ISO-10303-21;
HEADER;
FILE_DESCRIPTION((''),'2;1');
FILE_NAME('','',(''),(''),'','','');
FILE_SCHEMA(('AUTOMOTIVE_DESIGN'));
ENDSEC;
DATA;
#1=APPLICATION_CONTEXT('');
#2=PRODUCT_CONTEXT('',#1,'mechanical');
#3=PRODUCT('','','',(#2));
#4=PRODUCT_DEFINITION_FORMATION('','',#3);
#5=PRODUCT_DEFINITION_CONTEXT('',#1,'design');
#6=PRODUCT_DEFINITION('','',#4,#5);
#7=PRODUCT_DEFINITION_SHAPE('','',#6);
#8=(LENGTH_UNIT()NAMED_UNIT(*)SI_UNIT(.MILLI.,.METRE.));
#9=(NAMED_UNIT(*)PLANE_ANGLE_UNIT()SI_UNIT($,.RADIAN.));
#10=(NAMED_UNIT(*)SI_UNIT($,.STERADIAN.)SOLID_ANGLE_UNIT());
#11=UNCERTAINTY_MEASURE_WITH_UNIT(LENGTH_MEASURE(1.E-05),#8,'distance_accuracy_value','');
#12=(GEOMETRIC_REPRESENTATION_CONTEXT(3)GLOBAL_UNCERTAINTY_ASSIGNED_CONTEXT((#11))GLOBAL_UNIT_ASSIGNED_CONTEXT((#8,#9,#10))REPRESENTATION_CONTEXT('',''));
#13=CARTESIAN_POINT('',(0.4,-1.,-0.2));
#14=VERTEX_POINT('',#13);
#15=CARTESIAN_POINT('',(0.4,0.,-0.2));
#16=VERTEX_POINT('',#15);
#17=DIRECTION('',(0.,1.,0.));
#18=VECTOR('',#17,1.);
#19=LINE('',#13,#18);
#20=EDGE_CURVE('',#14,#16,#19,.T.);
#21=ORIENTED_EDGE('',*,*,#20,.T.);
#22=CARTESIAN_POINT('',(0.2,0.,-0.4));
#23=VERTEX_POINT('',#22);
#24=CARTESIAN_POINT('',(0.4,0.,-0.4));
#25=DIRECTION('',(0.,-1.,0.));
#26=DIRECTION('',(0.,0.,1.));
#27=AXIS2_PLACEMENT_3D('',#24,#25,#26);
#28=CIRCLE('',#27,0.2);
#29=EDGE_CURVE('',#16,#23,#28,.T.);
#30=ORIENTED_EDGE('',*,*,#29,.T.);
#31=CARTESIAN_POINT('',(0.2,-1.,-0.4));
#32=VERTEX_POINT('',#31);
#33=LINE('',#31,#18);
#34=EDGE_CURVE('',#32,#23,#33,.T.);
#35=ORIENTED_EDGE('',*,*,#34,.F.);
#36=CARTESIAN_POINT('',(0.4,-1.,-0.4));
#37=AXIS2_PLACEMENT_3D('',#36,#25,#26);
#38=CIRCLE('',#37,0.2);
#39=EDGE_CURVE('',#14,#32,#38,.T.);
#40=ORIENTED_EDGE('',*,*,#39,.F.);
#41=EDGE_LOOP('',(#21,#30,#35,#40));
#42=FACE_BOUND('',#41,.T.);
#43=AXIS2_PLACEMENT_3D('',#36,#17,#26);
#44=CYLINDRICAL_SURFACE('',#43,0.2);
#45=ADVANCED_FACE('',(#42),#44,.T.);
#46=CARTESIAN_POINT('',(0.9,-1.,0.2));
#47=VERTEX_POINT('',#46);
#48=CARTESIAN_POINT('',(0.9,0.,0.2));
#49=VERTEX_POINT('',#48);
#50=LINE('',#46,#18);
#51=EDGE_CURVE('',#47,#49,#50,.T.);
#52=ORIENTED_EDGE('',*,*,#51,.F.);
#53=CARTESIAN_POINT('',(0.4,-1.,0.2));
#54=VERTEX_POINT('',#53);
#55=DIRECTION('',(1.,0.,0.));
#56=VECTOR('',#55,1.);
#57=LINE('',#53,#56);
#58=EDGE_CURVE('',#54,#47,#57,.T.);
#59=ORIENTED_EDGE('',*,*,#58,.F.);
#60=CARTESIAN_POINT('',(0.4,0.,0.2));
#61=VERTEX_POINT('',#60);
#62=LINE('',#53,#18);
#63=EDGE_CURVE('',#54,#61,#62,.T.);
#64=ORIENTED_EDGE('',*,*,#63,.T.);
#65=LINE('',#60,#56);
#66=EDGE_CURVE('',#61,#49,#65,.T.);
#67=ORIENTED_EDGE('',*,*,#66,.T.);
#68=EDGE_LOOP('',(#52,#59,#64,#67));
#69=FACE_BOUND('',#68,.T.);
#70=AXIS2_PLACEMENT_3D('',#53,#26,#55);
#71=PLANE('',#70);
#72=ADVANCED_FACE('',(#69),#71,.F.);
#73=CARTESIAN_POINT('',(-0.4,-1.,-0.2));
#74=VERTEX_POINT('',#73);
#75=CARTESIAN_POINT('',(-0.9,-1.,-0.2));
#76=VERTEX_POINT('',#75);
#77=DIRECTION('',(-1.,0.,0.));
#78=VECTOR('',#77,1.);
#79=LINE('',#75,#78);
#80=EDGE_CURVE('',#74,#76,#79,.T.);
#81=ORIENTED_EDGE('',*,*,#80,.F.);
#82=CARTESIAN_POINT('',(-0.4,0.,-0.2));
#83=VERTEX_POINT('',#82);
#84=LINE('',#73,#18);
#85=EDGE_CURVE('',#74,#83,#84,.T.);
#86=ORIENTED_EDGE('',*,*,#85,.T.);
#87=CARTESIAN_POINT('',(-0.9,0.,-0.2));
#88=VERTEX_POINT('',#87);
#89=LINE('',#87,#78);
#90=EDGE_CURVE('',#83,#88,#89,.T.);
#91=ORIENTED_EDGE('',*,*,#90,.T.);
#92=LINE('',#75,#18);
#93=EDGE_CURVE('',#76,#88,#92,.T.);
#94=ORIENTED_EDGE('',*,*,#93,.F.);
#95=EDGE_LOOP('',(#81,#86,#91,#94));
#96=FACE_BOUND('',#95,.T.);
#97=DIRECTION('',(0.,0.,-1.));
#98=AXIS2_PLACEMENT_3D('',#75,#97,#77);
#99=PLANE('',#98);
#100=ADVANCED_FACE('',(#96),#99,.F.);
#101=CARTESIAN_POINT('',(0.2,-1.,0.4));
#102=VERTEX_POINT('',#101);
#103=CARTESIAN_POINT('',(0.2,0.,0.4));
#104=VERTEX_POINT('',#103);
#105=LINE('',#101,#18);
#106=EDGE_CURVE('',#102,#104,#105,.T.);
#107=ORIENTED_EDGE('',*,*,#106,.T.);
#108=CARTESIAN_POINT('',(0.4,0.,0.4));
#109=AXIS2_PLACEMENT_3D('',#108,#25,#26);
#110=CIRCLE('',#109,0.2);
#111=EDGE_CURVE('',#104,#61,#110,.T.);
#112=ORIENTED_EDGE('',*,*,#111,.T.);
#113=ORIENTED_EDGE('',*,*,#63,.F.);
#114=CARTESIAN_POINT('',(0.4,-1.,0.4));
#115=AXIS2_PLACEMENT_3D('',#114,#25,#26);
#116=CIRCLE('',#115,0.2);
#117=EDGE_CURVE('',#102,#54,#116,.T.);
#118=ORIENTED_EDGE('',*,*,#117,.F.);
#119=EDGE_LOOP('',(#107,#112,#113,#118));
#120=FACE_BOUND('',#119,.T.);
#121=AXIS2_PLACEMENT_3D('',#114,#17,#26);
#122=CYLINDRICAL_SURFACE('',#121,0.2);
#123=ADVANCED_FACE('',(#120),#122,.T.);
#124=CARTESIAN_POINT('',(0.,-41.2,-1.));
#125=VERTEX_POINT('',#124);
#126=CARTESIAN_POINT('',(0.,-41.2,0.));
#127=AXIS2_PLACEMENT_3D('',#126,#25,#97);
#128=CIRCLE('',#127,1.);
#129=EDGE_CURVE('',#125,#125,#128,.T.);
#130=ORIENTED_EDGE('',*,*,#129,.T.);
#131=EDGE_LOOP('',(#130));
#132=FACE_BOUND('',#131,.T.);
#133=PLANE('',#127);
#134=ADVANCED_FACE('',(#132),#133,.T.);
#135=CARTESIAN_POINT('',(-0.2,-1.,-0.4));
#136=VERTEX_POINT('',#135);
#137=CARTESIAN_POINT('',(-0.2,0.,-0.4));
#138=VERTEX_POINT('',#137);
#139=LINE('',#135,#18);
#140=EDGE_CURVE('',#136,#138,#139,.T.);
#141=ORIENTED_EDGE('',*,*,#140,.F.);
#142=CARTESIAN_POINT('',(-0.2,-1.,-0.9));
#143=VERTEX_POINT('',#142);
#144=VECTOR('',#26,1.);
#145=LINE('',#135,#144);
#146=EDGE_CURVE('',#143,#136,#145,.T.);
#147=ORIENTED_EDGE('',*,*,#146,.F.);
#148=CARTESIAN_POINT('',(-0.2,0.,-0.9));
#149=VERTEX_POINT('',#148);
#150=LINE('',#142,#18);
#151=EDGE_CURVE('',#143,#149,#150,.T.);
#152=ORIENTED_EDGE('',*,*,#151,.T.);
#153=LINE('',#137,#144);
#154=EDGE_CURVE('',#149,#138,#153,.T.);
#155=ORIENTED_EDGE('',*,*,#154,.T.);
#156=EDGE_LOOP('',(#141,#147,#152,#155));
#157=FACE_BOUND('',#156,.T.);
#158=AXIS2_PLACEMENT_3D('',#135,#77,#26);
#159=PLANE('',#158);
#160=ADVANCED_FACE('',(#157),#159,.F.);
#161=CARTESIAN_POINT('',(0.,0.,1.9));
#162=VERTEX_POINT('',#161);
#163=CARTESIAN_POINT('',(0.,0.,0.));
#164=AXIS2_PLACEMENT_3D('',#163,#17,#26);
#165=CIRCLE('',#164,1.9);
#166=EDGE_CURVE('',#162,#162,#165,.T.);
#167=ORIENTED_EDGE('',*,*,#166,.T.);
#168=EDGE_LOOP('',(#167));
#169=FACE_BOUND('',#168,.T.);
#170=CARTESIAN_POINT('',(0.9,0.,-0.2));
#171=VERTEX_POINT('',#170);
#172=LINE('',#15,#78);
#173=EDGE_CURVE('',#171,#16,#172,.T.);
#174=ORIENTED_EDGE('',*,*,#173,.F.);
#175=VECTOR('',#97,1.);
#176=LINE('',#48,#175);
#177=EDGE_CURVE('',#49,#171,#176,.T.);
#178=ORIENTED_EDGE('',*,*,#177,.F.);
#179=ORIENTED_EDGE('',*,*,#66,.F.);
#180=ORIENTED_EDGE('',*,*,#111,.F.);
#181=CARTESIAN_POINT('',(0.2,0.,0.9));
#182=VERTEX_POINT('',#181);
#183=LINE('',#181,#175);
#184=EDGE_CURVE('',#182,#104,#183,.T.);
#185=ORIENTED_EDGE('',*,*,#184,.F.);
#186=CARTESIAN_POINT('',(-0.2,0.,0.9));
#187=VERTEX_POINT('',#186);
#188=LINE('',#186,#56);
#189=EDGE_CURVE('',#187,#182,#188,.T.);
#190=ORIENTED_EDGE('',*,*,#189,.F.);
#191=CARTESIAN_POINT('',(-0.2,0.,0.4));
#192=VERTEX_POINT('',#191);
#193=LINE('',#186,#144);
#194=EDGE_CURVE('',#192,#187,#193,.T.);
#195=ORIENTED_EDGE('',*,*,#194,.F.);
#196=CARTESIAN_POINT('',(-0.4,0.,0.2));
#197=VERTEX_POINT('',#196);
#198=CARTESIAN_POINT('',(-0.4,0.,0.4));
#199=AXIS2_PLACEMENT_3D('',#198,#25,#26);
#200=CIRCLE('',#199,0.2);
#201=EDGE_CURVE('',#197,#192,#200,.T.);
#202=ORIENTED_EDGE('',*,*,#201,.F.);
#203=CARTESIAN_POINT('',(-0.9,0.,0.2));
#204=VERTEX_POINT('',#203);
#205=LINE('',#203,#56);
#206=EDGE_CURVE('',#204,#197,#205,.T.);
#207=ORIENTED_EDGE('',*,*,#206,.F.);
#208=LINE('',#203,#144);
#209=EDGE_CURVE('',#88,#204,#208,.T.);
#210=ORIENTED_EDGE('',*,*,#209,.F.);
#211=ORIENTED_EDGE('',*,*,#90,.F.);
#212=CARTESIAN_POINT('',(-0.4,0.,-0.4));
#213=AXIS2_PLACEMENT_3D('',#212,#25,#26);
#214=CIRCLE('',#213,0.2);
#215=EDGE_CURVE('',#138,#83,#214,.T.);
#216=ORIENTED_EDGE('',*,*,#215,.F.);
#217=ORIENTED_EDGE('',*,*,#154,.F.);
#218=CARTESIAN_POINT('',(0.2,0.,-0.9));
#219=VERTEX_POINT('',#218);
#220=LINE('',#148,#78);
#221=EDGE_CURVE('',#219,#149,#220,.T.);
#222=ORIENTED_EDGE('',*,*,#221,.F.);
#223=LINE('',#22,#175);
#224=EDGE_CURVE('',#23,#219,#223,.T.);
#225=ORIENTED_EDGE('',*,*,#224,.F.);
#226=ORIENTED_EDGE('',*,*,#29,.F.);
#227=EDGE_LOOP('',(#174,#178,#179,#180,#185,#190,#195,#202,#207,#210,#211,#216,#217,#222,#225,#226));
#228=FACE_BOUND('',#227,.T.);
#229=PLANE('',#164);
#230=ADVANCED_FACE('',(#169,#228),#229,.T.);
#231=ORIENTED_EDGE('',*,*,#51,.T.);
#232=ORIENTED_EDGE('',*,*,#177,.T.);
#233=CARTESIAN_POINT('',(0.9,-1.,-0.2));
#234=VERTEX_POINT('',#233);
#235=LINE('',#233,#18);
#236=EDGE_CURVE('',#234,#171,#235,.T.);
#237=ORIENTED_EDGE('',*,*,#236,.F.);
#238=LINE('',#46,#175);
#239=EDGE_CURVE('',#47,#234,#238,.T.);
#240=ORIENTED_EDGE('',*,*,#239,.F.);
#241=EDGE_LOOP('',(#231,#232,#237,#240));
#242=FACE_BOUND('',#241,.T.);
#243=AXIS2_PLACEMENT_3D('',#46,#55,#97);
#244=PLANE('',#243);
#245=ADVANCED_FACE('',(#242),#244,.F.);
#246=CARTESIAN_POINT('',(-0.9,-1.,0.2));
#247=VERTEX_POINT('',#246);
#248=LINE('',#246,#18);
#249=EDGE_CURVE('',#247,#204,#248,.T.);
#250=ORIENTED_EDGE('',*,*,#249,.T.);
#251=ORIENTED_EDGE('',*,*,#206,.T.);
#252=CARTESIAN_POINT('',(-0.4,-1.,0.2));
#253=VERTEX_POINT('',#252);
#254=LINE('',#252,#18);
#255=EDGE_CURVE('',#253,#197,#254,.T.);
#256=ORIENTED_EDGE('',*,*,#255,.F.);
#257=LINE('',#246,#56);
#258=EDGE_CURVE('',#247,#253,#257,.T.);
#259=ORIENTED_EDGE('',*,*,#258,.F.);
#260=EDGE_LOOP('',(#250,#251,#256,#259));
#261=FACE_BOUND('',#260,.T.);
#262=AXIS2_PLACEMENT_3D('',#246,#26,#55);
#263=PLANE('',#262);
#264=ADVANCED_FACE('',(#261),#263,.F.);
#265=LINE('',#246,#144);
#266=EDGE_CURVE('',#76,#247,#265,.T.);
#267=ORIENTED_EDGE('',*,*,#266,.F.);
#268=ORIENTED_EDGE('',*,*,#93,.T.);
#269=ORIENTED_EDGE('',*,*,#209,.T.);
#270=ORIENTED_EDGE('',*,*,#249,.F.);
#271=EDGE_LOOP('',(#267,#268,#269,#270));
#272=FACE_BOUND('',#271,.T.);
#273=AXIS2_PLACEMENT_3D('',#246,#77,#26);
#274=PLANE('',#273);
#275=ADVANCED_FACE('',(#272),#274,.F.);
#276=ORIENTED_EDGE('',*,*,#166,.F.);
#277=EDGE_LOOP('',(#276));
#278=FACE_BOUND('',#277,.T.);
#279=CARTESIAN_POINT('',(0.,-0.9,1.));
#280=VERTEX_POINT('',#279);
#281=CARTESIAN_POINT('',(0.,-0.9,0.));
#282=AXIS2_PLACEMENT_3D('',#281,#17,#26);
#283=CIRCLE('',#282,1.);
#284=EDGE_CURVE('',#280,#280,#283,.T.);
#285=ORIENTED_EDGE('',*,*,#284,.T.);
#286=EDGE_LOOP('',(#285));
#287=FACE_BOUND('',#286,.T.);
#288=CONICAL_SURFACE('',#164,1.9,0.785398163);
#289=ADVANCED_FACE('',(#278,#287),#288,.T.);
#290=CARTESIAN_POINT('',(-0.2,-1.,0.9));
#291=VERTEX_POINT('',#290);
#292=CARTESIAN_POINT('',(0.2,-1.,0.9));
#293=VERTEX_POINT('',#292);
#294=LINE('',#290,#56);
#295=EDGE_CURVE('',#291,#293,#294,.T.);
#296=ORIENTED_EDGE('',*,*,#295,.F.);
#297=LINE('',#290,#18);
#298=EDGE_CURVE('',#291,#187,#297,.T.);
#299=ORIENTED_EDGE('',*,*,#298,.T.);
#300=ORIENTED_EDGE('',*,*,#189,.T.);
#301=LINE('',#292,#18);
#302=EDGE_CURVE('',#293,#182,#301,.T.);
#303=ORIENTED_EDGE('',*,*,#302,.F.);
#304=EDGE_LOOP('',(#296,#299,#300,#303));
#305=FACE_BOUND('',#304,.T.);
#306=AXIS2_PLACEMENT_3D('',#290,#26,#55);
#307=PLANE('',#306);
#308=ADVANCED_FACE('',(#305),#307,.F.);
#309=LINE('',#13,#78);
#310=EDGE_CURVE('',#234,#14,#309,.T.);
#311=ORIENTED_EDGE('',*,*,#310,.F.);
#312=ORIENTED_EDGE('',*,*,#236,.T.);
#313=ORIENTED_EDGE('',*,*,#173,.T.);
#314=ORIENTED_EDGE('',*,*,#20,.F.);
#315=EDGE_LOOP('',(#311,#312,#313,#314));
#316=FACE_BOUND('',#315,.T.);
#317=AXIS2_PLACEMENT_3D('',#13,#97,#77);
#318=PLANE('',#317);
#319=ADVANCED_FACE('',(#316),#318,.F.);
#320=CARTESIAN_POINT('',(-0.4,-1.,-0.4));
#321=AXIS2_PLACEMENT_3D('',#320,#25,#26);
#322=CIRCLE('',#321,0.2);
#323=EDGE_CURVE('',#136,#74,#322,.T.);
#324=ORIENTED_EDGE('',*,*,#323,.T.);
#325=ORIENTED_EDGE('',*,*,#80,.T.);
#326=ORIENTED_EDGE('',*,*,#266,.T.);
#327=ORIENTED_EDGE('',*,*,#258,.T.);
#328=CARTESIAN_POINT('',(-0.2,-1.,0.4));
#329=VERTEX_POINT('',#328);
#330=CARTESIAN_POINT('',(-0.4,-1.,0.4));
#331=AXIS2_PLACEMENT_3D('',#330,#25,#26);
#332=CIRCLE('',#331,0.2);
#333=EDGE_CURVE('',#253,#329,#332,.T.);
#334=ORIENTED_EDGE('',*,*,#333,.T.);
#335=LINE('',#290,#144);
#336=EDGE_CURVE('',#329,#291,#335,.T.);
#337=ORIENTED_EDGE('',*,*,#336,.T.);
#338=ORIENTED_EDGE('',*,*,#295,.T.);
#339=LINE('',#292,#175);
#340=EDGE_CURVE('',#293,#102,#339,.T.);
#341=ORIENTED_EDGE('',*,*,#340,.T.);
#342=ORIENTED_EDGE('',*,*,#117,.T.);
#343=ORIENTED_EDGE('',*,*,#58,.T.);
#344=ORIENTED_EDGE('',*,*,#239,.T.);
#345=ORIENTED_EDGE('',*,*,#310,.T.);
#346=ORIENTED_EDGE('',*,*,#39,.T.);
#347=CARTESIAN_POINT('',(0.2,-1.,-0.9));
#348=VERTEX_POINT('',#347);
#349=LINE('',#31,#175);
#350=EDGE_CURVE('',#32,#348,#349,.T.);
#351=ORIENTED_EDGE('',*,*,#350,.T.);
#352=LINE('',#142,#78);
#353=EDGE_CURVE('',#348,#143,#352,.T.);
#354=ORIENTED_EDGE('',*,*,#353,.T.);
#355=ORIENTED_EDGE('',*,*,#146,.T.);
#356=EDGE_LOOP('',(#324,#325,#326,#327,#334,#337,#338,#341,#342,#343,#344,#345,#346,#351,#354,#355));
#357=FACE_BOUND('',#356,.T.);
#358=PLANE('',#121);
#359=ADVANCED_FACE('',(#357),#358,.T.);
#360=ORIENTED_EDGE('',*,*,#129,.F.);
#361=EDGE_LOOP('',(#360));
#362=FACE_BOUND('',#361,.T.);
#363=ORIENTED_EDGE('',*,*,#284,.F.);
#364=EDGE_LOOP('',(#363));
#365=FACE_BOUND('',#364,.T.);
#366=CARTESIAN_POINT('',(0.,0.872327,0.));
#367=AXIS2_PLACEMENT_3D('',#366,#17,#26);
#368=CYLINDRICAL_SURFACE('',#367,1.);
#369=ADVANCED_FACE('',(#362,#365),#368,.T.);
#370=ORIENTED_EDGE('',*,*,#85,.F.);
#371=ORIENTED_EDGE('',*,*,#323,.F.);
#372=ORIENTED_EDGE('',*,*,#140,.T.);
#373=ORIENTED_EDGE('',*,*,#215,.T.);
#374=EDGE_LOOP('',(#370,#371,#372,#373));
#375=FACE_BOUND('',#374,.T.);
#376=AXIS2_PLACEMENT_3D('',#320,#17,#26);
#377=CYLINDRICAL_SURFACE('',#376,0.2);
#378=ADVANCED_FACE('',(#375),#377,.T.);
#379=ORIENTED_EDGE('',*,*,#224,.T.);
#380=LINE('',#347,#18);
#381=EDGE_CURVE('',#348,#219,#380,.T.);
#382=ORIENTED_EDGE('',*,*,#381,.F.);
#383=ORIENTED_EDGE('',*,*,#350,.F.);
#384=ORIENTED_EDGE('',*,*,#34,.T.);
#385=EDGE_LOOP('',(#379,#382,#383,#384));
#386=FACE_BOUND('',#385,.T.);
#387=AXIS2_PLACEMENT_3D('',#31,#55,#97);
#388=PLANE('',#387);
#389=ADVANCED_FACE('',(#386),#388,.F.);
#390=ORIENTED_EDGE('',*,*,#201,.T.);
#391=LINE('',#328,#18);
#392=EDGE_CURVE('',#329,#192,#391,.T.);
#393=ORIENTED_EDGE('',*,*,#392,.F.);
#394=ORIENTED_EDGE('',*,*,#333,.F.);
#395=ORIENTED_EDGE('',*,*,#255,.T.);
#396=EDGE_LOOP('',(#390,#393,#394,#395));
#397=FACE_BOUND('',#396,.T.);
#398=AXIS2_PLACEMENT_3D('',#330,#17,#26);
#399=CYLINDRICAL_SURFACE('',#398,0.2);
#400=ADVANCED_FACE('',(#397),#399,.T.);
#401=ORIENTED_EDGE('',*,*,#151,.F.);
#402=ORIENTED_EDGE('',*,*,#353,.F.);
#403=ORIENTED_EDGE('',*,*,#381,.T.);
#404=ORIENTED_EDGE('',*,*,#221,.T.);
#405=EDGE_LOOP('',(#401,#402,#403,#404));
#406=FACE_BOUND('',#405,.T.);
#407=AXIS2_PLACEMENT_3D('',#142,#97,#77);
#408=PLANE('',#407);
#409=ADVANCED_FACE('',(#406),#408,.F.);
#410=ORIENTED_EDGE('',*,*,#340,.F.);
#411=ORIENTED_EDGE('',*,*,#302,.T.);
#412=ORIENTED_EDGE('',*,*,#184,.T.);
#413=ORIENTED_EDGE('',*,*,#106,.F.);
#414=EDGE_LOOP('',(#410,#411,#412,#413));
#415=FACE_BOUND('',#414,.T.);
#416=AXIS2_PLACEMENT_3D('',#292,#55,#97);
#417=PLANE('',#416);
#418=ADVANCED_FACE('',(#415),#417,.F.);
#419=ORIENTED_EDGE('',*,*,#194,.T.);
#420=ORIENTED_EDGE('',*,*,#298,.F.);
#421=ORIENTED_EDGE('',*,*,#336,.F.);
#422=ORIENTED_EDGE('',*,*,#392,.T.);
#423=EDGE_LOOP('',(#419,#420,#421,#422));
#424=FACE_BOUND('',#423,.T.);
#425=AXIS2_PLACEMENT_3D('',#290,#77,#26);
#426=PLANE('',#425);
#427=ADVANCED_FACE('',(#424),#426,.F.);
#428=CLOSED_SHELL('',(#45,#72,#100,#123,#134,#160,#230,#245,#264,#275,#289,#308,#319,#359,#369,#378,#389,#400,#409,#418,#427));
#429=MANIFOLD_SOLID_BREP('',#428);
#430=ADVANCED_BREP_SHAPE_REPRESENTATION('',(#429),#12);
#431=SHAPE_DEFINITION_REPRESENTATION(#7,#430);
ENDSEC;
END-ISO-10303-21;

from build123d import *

# Parameters (mm, degrees)
SKETCH2_R           = 1
BOSS_EXTRUDE1_DEPTH = 40
CUT_EXTRUDE1_DEPTH  = 1


with BuildPart() as part:
    # Sketch1 → Revolve1 (revolve)
    with BuildSketch(Plane(origin=(0, 0, 0), x_dir=(0, 0, -1), z_dir=(1, 0, 0))):
        Polygon((0, 0), (-1.9, 0), (-1, -0.9), (-1, -1.2), (0, -1.2), align=None)
    revolve(axis=Axis((0, 0.872326939, 0), (0, -1, 0)))

    # Sketch2 → Boss-Extrude1 (add)
    with BuildSketch(Plane.XZ.offset(1.2)):
        Circle(SKETCH2_R)
    extrude(amount=BOSS_EXTRUDE1_DEPTH)

    # Sketch3 → Cut-Extrude1 (cut)
    with BuildSketch(Plane(origin=(0, 0, 0), x_dir=(1, 0, 0), z_dir=(0, 1, 0))):
        with BuildLine():
            Line((-0.9, -0.2), (-0.4, -0.2))
            ThreePointArc((-0.4, -0.2), (-0.258578644, -0.258578644), (-0.2, -0.4))
            Line((-0.2, -0.4), (-0.2, -0.9))
            Line((-0.2, -0.9), (0.2, -0.9))
            Line((0.2, -0.9), (0.2, -0.4))
            ThreePointArc((0.2, -0.4), (0.258578644, -0.258578644), (0.4, -0.2))
            Line((0.4, -0.2), (0.9, -0.2))
            Line((0.9, -0.2), (0.9, 0.2))
            Line((0.9, 0.2), (0.4, 0.2))
            ThreePointArc((0.4, 0.2), (0.258578644, 0.258578644), (0.2, 0.4))
            Line((0.2, 0.4), (0.2, 0.9))
            Line((0.2, 0.9), (-0.2, 0.9))
            Line((-0.2, 0.9), (-0.2, 0.4))
            ThreePointArc((-0.2, 0.4), (-0.258578644, 0.258578644), (-0.4, 0.2))
            Line((-0.4, 0.2), (-0.9, 0.2))
            Line((-0.9, 0.2), (-0.9, -0.2))
        make_face()
    extrude(amount=-CUT_EXTRUDE1_DEPTH, mode=Mode.SUBTRACT)


solid = part.part
